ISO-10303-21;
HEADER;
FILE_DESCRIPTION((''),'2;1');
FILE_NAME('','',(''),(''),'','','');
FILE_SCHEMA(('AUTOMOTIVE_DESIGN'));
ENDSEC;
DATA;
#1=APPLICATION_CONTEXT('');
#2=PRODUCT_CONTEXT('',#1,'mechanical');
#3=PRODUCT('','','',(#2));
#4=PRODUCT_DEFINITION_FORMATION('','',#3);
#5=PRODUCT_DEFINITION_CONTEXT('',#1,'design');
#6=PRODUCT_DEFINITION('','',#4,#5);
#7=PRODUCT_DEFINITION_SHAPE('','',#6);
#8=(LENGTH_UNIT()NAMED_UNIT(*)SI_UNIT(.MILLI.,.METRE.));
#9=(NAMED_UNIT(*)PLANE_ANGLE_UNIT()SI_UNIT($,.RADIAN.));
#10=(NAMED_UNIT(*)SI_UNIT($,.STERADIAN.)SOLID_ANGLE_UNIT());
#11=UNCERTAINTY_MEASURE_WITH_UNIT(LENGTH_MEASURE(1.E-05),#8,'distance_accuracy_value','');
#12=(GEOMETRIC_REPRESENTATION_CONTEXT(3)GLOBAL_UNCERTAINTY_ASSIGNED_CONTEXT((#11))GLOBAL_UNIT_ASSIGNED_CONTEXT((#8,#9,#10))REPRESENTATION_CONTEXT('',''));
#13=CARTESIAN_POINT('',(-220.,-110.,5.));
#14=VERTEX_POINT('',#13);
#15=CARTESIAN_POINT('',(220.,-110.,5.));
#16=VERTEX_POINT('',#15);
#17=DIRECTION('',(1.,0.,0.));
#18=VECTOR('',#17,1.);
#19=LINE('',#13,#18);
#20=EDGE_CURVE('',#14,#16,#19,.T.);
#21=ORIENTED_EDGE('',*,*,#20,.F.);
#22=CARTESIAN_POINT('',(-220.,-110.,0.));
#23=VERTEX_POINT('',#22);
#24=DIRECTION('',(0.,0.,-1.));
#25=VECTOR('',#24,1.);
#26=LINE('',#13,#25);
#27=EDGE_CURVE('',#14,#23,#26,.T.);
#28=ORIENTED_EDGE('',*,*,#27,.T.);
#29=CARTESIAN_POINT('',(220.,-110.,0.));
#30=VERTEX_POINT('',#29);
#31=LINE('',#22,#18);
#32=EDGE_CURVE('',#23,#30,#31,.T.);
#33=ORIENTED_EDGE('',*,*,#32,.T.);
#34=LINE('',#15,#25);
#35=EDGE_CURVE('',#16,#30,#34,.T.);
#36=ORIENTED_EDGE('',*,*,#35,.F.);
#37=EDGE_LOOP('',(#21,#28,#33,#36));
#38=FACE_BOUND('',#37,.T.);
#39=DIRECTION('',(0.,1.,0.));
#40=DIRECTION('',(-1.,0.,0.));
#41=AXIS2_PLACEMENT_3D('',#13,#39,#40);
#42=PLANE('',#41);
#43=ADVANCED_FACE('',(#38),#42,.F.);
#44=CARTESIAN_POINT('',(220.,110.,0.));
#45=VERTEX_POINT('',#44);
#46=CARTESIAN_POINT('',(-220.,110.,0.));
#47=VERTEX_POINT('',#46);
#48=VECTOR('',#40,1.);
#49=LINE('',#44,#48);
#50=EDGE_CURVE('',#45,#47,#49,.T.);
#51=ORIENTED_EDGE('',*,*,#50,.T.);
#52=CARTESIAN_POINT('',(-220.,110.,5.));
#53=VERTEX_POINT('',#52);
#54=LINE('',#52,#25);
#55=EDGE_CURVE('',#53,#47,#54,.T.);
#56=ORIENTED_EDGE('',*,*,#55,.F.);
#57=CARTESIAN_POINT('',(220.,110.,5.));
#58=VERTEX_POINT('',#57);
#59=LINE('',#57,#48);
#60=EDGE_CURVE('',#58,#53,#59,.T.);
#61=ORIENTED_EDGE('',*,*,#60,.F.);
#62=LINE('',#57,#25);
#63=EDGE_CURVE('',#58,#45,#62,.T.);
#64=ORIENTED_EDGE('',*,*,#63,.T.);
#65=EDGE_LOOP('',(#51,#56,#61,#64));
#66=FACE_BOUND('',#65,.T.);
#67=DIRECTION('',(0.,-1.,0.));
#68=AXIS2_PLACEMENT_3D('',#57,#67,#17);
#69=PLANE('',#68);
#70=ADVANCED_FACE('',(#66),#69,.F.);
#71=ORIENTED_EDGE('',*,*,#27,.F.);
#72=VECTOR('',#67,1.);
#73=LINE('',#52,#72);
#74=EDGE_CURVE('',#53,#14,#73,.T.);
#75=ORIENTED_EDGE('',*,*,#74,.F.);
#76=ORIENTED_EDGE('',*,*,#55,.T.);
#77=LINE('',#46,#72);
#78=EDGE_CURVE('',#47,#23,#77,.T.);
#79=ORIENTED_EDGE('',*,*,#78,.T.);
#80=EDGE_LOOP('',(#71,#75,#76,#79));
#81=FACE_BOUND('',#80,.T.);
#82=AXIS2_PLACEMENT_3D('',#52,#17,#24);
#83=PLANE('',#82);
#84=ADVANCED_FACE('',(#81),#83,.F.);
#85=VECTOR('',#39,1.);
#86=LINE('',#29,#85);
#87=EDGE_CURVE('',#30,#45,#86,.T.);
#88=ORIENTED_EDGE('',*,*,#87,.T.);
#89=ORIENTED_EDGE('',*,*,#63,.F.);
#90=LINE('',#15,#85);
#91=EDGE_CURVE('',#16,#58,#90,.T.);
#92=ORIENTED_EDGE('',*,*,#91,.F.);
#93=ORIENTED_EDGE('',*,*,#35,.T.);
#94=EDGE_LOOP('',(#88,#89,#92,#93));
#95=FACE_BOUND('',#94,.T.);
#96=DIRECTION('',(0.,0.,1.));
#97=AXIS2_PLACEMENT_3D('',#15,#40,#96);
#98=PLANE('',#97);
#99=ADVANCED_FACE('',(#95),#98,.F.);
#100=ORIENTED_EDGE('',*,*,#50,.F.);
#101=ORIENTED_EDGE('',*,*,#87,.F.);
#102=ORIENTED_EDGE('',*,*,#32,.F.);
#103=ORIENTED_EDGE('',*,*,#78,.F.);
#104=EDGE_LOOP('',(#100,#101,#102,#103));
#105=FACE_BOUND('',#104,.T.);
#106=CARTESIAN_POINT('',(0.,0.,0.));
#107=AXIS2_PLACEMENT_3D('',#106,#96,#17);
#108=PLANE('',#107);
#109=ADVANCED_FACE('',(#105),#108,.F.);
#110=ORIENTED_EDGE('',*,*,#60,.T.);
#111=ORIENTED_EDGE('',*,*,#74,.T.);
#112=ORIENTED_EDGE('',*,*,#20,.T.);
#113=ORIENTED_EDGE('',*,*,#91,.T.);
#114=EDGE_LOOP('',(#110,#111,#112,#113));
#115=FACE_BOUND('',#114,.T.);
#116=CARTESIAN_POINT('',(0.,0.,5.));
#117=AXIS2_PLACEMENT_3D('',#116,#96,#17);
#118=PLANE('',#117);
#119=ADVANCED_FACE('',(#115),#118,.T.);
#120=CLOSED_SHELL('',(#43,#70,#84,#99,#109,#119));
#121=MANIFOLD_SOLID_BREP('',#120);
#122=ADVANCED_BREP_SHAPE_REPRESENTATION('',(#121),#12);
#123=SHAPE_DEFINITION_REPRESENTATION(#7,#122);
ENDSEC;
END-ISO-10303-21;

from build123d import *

# Parameters (mm, degrees)
ESQUISSE1_W        = 440
ESQUISSE1_H        = 220
BOSS_EXTRU_3_DEPTH = 5


with BuildPart() as part:
    # Esquisse1 → Boss.-Extru.3 (new body)
    with BuildSketch(Plane.XY):
        Rectangle(ESQUISSE1_W, ESQUISSE1_H)
    extrude(amount=BOSS_EXTRU_3_DEPTH)


solid = part.part
